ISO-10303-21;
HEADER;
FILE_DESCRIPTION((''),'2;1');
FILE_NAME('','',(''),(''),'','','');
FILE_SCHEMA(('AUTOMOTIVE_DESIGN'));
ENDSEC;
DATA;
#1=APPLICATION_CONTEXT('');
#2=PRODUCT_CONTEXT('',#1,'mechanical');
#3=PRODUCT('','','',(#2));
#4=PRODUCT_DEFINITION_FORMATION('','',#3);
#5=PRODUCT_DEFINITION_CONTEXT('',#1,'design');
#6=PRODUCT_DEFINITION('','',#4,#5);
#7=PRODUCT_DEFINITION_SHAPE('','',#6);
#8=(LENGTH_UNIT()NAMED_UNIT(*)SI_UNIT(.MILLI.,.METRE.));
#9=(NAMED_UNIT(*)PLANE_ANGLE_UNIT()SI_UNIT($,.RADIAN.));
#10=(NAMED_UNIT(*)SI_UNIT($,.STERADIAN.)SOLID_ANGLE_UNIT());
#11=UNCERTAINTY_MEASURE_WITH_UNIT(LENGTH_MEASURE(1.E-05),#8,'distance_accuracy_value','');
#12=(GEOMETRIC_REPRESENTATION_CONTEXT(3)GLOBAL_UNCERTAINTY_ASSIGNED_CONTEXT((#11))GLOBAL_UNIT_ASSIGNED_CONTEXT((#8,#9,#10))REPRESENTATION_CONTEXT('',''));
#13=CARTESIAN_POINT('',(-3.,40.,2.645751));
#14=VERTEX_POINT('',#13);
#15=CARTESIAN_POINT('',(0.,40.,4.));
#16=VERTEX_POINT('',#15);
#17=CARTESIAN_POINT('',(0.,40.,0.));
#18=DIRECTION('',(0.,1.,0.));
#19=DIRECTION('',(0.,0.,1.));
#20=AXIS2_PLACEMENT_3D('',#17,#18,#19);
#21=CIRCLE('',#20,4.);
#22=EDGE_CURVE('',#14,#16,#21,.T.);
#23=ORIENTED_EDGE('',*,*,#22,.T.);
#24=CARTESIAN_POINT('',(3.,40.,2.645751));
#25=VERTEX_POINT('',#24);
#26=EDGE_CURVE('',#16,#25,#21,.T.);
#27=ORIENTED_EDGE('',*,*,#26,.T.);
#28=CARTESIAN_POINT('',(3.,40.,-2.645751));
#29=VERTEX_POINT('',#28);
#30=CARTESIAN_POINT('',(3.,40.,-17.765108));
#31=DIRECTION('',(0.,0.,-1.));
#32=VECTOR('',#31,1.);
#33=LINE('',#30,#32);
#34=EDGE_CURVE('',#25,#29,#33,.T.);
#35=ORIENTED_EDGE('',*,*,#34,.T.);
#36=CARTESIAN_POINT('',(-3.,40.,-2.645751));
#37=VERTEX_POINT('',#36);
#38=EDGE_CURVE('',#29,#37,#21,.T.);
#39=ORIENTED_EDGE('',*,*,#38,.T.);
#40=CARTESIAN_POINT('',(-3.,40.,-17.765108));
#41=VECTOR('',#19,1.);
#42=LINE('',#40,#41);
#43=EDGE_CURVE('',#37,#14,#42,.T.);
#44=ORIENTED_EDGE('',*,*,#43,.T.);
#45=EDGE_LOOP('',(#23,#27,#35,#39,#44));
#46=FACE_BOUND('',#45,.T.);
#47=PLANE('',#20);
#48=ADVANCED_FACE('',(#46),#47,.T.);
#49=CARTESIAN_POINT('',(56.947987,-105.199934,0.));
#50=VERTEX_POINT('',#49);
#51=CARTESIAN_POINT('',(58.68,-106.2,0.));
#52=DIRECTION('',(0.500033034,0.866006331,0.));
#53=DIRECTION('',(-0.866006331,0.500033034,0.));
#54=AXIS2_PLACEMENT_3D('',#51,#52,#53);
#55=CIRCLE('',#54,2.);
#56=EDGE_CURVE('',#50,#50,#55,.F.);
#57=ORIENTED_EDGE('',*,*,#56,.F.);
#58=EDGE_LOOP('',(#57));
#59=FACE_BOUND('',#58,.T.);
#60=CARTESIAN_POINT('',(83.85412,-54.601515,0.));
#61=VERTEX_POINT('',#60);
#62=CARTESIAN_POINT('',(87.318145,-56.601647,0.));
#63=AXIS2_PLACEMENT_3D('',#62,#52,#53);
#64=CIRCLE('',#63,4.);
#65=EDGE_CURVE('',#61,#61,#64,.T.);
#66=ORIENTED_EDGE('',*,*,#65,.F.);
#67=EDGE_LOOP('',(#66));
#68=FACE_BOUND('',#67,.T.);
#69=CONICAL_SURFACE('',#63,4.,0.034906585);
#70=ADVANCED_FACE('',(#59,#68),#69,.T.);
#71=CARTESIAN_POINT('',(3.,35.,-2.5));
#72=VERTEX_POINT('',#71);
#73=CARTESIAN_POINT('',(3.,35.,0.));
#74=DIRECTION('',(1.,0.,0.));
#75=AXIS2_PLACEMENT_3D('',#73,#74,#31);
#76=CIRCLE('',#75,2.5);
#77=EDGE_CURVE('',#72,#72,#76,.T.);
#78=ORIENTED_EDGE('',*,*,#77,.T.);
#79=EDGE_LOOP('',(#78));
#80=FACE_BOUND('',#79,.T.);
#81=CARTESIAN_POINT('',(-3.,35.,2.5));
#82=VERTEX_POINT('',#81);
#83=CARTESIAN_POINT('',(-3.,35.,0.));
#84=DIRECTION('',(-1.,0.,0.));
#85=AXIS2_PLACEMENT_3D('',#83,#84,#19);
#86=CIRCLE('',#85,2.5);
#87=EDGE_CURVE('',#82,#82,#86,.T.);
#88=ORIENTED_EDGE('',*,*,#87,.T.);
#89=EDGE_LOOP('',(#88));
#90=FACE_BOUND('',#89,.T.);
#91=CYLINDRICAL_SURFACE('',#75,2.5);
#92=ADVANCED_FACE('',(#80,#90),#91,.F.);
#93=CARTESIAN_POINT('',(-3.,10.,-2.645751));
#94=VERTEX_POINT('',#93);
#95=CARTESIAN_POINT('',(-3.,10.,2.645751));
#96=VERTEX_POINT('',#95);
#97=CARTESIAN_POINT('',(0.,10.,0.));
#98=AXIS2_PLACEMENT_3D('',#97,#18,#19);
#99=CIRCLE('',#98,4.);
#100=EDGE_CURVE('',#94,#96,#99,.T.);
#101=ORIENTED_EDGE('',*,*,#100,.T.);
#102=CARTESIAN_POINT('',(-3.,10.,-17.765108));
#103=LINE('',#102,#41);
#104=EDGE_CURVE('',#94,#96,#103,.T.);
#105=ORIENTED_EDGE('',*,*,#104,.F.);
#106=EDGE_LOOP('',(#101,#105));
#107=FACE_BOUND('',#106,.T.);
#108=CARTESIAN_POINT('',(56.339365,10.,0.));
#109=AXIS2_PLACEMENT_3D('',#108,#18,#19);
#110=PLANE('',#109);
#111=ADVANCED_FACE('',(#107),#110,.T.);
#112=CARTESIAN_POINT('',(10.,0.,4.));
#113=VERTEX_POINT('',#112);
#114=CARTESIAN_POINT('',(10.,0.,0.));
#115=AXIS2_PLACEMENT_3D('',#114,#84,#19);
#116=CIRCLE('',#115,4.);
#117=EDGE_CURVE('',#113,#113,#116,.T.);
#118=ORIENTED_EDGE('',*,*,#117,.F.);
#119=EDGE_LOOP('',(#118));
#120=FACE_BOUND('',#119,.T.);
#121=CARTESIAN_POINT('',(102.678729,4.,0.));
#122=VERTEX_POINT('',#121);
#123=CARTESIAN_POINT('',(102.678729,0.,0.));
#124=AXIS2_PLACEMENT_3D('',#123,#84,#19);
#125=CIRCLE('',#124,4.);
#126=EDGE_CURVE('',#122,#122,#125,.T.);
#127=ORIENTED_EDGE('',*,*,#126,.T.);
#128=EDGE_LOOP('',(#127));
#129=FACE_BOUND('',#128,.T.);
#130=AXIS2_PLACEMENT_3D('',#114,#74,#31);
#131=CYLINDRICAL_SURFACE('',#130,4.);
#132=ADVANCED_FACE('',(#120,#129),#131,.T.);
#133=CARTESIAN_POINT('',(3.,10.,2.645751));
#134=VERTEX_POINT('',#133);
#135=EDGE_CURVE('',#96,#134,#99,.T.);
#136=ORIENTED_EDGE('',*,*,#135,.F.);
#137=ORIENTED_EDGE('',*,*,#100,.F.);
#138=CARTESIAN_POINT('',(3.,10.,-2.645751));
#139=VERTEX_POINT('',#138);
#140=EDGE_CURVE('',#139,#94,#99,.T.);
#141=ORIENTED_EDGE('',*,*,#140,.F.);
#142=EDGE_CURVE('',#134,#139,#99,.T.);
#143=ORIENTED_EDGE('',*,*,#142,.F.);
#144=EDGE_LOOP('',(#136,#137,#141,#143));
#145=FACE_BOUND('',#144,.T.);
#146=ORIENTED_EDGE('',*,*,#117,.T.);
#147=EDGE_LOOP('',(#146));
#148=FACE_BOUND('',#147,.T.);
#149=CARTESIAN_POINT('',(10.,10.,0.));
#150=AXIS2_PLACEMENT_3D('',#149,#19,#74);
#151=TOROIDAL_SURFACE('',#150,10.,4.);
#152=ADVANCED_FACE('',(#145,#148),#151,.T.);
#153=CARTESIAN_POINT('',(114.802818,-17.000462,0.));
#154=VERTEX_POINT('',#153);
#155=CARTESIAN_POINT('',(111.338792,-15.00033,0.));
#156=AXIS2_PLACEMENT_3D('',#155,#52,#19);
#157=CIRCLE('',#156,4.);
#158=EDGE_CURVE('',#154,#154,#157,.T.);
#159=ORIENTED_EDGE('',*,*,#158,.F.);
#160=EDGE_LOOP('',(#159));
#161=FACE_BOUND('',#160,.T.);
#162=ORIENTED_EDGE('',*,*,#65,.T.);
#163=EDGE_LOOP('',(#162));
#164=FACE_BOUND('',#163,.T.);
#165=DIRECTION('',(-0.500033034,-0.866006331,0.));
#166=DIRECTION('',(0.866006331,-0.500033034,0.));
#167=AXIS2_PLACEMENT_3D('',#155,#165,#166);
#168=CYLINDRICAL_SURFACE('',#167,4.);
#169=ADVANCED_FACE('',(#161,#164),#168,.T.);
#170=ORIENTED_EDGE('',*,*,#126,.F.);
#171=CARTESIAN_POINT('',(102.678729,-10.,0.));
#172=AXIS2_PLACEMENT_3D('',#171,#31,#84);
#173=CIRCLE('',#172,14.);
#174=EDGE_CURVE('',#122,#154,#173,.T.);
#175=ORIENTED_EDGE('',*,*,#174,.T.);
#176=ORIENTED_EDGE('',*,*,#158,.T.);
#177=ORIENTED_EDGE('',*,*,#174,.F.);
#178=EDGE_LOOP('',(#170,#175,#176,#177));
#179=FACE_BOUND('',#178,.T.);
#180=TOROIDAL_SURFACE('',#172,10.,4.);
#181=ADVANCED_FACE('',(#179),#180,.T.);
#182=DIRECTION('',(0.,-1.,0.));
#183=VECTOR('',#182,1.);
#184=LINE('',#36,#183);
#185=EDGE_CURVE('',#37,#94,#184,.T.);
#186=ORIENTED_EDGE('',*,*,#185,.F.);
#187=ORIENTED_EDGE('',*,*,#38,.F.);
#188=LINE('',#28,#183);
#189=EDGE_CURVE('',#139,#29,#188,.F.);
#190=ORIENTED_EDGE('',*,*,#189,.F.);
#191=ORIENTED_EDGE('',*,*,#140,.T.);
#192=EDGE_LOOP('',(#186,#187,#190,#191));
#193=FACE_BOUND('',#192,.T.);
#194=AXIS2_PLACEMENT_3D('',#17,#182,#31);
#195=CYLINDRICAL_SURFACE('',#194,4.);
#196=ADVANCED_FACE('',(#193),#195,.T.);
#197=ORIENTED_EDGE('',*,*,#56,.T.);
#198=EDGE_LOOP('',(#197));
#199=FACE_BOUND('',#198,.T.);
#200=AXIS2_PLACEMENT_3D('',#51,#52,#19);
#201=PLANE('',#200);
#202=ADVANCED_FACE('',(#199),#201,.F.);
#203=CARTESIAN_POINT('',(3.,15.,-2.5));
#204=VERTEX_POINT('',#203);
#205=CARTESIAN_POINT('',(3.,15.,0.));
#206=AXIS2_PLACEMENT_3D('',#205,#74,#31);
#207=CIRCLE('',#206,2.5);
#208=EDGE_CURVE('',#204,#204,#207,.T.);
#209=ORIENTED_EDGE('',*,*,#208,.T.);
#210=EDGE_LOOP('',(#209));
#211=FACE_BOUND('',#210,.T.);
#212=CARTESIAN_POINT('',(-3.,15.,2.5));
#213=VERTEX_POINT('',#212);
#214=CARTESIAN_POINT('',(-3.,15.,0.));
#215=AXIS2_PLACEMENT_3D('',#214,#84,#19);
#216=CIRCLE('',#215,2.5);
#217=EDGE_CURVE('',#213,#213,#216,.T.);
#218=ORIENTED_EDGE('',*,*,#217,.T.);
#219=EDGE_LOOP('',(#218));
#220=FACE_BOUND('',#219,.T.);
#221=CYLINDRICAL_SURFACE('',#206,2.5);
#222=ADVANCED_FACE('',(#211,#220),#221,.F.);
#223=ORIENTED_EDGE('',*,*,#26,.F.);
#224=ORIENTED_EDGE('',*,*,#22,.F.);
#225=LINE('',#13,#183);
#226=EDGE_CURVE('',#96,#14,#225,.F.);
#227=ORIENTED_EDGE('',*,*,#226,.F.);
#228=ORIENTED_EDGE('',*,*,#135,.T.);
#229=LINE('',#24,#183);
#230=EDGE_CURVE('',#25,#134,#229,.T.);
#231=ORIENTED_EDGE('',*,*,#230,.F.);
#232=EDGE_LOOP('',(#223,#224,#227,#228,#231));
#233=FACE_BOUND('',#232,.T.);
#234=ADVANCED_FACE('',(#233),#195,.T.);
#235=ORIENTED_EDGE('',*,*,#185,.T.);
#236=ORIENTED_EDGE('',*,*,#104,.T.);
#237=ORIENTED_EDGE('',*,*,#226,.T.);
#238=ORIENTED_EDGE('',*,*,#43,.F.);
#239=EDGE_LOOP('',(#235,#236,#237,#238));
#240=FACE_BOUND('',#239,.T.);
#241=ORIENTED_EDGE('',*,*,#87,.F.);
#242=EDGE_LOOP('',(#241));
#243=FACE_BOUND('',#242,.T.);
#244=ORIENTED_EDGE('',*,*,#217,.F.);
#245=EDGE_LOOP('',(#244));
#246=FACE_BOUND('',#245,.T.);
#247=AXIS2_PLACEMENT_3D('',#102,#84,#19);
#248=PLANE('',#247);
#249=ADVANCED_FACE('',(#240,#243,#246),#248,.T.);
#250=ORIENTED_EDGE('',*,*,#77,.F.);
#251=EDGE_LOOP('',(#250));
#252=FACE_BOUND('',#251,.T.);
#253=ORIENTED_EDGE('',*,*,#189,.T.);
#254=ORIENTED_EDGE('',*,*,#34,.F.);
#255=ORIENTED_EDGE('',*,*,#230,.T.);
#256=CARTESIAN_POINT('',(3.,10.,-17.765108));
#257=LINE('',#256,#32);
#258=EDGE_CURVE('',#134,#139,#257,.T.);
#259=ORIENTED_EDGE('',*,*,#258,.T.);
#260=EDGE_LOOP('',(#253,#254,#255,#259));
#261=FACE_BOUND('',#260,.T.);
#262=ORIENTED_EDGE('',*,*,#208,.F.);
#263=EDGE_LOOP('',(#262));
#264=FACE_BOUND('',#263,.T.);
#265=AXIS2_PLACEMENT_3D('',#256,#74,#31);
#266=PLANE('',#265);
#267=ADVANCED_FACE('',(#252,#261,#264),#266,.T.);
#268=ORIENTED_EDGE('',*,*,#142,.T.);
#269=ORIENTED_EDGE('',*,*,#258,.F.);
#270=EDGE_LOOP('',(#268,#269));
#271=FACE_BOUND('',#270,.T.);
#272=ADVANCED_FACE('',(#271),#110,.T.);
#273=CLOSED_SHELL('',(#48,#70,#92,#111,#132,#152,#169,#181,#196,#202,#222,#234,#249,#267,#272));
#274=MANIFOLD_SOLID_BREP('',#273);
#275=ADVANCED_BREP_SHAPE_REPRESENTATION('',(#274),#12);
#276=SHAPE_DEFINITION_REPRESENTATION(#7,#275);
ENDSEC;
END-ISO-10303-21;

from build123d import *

# Parameters (mm, degrees)
SKETCH3_R             = 4
CHAMFER1_SIZE         = 2
CHAMFER1_SIZE2        = 57.272506566
SKETCH4_OUTSIDE_W     = 160.781
SKETCH4_OUTSIDE_H     = 48.102
SKETCH4_OUTSIDE_W_2   = 6
SKETCH4_OUTSIDE_H_2   = 35.530215116
EXTRUDE1_DEPTH        = 30
M6_TAPPED_HOLE1_D     = 5
M6_TAPPED_HOLE1_DEPTH = 9
M6_TAPPED_HOLE1_TIP   = 1.502151548


with BuildPart() as part:
    # Sweep1: sweep along a path in Sketch1
    with BuildLine(Plane.XY) as sweep1_path:
        Line((0, 40), (0, 10))
        ThreePointArc((0, 10), (2.928932188, 2.928932188), (10, 0))
        Line((10, 0), (102.678729005, 0))
        ThreePointArc((102.678729005, 0), (111.339078403, -5.000165172), (111.338792313, -15.000330339))
        Line((111.338792313, -15.000330339), (58.68, -106.2))
    # Sketch3 → Sweep1 (sweep)
    with BuildSketch(Plane(origin=(0, 40, 0), x_dir=(1, 0, 0), z_dir=(0, 1, 0))):
        Circle(SKETCH3_R)
    sweep(path=sweep1_path.line)

    # Chamfer1
    chamfer1_edges = [part.edges().sort_by_distance(p)[0] for p in [
        (55.215974677, -104.199867864, 0),
    ]]
    chamfer1_side = [part.faces().sort_by_distance(p)[0] for p in [
        (58.68, -106.2, 0),
    ]]
    chamfer(chamfer1_edges, length=CHAMFER1_SIZE, length2=CHAMFER1_SIZE2, reference=chamfer1_side[0])

    # Sketch4 outside → Extrude1 (cut)
    with BuildSketch(Plane(origin=(0, 40, 0), x_dir=(1, 0, 0), z_dir=(0, 1, 0))):
        with Locations((56.3395, 0)):
            Rectangle(SKETCH4_OUTSIDE_W, SKETCH4_OUTSIDE_H)
        Rectangle(SKETCH4_OUTSIDE_W_2, SKETCH4_OUTSIDE_H_2, mode=Mode.SUBTRACT)
    extrude(amount=-EXTRUDE1_DEPTH, mode=Mode.SUBTRACT)

    # M6 Tapped Hole1
    with Locations(Plane(origin=(3, 0, 0), x_dir=(0, 0, -1), z_dir=(1, 0, 0))):
        with Locations((0, 35), (0, 15)):
            Hole(M6_TAPPED_HOLE1_D / 2, depth=M6_TAPPED_HOLE1_DEPTH)
            with Locations((0, 0, -(M6_TAPPED_HOLE1_DEPTH + M6_TAPPED_HOLE1_TIP / 2))):  # 118° drill point
                Cone(0, M6_TAPPED_HOLE1_D / 2, M6_TAPPED_HOLE1_TIP, mode=Mode.SUBTRACT)


solid = part.part
